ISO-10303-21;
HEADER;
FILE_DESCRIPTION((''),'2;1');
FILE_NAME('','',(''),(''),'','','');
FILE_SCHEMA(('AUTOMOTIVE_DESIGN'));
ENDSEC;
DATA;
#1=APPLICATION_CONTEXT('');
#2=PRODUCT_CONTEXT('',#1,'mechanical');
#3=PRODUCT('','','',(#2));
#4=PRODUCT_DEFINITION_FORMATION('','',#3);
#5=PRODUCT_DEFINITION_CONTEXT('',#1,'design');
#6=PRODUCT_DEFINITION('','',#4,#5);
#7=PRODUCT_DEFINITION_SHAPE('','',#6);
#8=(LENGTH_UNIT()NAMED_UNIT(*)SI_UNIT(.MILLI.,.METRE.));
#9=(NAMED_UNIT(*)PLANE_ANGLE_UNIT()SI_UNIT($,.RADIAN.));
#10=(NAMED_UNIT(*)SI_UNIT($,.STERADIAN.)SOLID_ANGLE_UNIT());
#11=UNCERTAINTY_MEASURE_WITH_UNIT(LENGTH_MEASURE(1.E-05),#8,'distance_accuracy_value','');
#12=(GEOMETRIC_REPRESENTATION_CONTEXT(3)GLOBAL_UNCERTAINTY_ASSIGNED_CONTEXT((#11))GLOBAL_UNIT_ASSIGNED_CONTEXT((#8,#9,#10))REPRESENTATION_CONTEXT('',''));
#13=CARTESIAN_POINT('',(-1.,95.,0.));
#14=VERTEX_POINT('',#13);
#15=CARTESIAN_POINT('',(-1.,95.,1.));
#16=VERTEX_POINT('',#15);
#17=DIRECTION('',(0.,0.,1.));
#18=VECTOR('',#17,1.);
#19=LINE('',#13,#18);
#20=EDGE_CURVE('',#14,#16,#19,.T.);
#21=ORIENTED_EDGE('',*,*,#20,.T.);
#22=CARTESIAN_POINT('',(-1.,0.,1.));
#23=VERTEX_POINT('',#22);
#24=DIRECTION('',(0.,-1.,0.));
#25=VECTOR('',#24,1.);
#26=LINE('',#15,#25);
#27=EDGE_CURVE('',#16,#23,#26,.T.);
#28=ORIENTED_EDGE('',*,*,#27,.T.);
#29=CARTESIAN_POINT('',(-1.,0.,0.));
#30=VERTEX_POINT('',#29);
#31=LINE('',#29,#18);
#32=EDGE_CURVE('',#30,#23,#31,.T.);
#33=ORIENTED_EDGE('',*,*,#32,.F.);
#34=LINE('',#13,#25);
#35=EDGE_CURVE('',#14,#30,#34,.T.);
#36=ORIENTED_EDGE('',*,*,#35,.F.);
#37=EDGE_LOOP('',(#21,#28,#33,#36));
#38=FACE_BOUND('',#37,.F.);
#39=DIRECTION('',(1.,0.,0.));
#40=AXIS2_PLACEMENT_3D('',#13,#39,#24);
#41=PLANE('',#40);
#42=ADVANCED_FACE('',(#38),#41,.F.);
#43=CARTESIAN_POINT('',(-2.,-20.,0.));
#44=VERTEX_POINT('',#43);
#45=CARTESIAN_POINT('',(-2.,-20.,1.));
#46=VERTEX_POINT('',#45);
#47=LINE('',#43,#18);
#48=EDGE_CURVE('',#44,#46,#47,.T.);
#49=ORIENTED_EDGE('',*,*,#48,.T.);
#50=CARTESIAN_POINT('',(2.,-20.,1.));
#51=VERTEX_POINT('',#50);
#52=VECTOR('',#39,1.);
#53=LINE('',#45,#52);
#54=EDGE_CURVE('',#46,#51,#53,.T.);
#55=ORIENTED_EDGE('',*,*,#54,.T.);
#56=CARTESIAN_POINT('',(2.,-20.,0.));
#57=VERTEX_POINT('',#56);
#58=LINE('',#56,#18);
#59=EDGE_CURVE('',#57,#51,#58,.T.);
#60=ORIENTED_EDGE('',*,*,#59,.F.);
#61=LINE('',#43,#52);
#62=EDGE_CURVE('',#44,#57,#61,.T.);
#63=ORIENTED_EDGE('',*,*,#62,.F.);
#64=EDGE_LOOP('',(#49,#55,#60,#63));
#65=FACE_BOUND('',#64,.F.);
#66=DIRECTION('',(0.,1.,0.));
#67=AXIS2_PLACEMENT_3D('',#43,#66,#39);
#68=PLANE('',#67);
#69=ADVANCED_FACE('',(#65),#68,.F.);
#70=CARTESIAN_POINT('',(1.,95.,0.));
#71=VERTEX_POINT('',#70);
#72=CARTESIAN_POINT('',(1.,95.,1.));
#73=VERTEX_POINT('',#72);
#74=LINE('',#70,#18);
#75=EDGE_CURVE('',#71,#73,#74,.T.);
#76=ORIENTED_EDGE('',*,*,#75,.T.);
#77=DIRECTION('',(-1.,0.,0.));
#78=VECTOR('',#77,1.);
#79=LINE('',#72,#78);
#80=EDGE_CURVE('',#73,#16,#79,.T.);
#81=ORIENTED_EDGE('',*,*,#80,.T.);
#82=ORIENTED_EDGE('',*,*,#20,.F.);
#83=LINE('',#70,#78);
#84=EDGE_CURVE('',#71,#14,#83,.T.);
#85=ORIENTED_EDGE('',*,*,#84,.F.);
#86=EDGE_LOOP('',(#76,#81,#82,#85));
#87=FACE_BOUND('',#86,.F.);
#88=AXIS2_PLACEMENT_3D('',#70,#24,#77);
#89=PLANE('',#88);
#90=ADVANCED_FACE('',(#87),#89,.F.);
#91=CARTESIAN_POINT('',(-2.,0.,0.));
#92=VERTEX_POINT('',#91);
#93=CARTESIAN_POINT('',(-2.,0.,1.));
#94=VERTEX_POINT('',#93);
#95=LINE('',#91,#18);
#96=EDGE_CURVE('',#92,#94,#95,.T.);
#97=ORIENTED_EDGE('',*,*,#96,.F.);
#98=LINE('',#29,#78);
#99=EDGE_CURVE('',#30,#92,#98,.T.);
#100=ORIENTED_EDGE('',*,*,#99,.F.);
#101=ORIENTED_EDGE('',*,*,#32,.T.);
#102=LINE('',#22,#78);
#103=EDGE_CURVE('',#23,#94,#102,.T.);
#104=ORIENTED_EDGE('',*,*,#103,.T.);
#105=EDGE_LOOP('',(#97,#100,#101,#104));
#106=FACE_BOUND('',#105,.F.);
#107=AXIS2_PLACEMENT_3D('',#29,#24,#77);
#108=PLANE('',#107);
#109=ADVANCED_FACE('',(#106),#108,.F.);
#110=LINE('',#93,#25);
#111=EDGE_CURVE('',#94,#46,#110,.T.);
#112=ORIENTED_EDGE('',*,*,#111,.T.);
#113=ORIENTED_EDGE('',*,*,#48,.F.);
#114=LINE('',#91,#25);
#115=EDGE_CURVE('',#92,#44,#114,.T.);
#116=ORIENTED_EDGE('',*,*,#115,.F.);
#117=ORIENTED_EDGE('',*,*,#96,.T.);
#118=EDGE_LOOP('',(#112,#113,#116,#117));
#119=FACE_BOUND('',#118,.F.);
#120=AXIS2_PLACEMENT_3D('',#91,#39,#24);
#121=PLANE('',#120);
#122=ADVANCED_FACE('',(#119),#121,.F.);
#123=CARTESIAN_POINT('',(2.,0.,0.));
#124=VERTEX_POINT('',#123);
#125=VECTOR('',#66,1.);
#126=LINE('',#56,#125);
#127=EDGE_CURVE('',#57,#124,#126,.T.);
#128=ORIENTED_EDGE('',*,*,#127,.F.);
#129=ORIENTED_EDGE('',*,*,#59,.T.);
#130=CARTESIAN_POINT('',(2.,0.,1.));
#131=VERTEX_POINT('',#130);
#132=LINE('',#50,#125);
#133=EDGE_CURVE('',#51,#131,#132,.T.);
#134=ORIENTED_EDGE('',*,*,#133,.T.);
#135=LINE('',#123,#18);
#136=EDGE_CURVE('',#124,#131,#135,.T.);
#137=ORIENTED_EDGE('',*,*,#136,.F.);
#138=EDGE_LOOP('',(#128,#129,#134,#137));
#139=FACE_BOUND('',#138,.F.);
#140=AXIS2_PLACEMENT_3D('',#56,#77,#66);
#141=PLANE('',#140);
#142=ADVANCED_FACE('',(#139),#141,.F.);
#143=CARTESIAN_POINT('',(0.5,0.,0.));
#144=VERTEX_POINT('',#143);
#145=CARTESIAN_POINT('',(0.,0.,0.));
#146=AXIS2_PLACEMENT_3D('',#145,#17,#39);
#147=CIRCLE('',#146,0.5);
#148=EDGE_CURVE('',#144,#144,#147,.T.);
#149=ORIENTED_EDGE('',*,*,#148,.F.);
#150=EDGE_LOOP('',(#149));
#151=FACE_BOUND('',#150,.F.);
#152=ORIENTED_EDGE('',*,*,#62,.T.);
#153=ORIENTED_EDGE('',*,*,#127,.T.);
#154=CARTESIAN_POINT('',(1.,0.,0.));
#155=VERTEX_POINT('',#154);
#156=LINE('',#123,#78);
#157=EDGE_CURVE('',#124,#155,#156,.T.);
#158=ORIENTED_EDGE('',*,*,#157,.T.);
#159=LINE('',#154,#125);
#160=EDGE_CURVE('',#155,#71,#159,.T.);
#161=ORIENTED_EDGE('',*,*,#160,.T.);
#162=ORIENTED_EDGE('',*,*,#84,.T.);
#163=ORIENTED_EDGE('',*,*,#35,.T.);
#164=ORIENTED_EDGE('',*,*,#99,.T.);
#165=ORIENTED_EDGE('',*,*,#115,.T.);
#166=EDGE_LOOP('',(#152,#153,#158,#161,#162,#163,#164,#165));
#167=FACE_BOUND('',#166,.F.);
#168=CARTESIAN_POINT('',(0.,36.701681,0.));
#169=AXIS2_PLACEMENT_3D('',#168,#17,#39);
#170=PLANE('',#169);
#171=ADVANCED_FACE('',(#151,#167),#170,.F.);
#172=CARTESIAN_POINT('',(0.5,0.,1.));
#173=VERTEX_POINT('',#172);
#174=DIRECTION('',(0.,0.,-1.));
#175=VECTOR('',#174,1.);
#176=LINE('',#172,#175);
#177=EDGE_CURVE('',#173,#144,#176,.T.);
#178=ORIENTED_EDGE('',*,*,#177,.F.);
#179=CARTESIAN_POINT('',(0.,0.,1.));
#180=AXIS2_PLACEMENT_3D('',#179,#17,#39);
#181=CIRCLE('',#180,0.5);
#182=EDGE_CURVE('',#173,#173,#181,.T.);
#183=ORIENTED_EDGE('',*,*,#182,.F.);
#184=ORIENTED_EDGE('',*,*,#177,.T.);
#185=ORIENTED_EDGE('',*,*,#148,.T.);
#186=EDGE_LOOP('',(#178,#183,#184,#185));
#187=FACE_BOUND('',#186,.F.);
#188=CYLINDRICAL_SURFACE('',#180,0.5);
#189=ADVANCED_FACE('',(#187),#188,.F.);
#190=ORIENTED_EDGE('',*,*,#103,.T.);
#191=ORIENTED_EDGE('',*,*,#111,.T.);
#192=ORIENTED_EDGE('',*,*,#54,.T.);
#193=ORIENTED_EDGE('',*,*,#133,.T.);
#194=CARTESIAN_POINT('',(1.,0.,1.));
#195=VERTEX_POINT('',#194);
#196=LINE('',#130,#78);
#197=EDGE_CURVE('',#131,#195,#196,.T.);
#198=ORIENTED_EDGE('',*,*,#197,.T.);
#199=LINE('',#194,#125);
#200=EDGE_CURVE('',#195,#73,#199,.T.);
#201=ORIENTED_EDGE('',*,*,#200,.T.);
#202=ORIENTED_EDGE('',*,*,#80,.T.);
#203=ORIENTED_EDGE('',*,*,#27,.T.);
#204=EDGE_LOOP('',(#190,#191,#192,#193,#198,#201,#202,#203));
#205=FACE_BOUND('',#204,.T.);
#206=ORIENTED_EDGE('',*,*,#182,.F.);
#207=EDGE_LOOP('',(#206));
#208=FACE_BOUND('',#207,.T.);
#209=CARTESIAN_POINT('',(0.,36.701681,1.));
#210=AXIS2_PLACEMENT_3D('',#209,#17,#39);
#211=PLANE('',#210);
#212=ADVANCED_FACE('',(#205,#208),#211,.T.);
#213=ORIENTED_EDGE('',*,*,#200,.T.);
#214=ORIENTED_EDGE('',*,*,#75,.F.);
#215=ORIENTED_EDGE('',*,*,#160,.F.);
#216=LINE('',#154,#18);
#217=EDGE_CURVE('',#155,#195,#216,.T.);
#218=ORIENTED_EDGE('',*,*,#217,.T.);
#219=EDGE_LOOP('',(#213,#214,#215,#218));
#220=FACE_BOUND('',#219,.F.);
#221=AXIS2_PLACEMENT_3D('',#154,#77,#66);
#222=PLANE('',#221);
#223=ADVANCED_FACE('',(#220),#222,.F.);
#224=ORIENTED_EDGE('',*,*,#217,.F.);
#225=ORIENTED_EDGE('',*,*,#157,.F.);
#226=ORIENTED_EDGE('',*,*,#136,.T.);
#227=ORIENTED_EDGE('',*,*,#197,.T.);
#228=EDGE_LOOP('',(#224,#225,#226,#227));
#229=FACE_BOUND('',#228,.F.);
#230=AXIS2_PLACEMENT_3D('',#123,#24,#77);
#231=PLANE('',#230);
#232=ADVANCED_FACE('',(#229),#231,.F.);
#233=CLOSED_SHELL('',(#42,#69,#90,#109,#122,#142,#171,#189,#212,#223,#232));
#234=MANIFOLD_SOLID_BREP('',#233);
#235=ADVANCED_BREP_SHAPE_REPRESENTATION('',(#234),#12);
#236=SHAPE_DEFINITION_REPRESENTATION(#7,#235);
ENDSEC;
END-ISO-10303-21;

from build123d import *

# Parameters (mm, degrees)
F1_DEPTH = 1
F2_R     = 0.5
F3_DEPTH = 1.001


with BuildPart() as f1:
    # F0 (on Top) → F1 (new body)
    with BuildSketch(Plane.XY):
        Polygon((1, 95), (-1, 95), (-1, 0), (-2, 0), (-2, -20), (2, -20), (2, 0), (1, 0), align=None)
    extrude(amount=F1_DEPTH)

    # F2 (on face) → F3 (cut, through all)
    with BuildSketch(Plane.XY.offset(1)):
        Circle(F2_R)
    extrude(amount=-F3_DEPTH, mode=Mode.SUBTRACT)


solid = f1.part
